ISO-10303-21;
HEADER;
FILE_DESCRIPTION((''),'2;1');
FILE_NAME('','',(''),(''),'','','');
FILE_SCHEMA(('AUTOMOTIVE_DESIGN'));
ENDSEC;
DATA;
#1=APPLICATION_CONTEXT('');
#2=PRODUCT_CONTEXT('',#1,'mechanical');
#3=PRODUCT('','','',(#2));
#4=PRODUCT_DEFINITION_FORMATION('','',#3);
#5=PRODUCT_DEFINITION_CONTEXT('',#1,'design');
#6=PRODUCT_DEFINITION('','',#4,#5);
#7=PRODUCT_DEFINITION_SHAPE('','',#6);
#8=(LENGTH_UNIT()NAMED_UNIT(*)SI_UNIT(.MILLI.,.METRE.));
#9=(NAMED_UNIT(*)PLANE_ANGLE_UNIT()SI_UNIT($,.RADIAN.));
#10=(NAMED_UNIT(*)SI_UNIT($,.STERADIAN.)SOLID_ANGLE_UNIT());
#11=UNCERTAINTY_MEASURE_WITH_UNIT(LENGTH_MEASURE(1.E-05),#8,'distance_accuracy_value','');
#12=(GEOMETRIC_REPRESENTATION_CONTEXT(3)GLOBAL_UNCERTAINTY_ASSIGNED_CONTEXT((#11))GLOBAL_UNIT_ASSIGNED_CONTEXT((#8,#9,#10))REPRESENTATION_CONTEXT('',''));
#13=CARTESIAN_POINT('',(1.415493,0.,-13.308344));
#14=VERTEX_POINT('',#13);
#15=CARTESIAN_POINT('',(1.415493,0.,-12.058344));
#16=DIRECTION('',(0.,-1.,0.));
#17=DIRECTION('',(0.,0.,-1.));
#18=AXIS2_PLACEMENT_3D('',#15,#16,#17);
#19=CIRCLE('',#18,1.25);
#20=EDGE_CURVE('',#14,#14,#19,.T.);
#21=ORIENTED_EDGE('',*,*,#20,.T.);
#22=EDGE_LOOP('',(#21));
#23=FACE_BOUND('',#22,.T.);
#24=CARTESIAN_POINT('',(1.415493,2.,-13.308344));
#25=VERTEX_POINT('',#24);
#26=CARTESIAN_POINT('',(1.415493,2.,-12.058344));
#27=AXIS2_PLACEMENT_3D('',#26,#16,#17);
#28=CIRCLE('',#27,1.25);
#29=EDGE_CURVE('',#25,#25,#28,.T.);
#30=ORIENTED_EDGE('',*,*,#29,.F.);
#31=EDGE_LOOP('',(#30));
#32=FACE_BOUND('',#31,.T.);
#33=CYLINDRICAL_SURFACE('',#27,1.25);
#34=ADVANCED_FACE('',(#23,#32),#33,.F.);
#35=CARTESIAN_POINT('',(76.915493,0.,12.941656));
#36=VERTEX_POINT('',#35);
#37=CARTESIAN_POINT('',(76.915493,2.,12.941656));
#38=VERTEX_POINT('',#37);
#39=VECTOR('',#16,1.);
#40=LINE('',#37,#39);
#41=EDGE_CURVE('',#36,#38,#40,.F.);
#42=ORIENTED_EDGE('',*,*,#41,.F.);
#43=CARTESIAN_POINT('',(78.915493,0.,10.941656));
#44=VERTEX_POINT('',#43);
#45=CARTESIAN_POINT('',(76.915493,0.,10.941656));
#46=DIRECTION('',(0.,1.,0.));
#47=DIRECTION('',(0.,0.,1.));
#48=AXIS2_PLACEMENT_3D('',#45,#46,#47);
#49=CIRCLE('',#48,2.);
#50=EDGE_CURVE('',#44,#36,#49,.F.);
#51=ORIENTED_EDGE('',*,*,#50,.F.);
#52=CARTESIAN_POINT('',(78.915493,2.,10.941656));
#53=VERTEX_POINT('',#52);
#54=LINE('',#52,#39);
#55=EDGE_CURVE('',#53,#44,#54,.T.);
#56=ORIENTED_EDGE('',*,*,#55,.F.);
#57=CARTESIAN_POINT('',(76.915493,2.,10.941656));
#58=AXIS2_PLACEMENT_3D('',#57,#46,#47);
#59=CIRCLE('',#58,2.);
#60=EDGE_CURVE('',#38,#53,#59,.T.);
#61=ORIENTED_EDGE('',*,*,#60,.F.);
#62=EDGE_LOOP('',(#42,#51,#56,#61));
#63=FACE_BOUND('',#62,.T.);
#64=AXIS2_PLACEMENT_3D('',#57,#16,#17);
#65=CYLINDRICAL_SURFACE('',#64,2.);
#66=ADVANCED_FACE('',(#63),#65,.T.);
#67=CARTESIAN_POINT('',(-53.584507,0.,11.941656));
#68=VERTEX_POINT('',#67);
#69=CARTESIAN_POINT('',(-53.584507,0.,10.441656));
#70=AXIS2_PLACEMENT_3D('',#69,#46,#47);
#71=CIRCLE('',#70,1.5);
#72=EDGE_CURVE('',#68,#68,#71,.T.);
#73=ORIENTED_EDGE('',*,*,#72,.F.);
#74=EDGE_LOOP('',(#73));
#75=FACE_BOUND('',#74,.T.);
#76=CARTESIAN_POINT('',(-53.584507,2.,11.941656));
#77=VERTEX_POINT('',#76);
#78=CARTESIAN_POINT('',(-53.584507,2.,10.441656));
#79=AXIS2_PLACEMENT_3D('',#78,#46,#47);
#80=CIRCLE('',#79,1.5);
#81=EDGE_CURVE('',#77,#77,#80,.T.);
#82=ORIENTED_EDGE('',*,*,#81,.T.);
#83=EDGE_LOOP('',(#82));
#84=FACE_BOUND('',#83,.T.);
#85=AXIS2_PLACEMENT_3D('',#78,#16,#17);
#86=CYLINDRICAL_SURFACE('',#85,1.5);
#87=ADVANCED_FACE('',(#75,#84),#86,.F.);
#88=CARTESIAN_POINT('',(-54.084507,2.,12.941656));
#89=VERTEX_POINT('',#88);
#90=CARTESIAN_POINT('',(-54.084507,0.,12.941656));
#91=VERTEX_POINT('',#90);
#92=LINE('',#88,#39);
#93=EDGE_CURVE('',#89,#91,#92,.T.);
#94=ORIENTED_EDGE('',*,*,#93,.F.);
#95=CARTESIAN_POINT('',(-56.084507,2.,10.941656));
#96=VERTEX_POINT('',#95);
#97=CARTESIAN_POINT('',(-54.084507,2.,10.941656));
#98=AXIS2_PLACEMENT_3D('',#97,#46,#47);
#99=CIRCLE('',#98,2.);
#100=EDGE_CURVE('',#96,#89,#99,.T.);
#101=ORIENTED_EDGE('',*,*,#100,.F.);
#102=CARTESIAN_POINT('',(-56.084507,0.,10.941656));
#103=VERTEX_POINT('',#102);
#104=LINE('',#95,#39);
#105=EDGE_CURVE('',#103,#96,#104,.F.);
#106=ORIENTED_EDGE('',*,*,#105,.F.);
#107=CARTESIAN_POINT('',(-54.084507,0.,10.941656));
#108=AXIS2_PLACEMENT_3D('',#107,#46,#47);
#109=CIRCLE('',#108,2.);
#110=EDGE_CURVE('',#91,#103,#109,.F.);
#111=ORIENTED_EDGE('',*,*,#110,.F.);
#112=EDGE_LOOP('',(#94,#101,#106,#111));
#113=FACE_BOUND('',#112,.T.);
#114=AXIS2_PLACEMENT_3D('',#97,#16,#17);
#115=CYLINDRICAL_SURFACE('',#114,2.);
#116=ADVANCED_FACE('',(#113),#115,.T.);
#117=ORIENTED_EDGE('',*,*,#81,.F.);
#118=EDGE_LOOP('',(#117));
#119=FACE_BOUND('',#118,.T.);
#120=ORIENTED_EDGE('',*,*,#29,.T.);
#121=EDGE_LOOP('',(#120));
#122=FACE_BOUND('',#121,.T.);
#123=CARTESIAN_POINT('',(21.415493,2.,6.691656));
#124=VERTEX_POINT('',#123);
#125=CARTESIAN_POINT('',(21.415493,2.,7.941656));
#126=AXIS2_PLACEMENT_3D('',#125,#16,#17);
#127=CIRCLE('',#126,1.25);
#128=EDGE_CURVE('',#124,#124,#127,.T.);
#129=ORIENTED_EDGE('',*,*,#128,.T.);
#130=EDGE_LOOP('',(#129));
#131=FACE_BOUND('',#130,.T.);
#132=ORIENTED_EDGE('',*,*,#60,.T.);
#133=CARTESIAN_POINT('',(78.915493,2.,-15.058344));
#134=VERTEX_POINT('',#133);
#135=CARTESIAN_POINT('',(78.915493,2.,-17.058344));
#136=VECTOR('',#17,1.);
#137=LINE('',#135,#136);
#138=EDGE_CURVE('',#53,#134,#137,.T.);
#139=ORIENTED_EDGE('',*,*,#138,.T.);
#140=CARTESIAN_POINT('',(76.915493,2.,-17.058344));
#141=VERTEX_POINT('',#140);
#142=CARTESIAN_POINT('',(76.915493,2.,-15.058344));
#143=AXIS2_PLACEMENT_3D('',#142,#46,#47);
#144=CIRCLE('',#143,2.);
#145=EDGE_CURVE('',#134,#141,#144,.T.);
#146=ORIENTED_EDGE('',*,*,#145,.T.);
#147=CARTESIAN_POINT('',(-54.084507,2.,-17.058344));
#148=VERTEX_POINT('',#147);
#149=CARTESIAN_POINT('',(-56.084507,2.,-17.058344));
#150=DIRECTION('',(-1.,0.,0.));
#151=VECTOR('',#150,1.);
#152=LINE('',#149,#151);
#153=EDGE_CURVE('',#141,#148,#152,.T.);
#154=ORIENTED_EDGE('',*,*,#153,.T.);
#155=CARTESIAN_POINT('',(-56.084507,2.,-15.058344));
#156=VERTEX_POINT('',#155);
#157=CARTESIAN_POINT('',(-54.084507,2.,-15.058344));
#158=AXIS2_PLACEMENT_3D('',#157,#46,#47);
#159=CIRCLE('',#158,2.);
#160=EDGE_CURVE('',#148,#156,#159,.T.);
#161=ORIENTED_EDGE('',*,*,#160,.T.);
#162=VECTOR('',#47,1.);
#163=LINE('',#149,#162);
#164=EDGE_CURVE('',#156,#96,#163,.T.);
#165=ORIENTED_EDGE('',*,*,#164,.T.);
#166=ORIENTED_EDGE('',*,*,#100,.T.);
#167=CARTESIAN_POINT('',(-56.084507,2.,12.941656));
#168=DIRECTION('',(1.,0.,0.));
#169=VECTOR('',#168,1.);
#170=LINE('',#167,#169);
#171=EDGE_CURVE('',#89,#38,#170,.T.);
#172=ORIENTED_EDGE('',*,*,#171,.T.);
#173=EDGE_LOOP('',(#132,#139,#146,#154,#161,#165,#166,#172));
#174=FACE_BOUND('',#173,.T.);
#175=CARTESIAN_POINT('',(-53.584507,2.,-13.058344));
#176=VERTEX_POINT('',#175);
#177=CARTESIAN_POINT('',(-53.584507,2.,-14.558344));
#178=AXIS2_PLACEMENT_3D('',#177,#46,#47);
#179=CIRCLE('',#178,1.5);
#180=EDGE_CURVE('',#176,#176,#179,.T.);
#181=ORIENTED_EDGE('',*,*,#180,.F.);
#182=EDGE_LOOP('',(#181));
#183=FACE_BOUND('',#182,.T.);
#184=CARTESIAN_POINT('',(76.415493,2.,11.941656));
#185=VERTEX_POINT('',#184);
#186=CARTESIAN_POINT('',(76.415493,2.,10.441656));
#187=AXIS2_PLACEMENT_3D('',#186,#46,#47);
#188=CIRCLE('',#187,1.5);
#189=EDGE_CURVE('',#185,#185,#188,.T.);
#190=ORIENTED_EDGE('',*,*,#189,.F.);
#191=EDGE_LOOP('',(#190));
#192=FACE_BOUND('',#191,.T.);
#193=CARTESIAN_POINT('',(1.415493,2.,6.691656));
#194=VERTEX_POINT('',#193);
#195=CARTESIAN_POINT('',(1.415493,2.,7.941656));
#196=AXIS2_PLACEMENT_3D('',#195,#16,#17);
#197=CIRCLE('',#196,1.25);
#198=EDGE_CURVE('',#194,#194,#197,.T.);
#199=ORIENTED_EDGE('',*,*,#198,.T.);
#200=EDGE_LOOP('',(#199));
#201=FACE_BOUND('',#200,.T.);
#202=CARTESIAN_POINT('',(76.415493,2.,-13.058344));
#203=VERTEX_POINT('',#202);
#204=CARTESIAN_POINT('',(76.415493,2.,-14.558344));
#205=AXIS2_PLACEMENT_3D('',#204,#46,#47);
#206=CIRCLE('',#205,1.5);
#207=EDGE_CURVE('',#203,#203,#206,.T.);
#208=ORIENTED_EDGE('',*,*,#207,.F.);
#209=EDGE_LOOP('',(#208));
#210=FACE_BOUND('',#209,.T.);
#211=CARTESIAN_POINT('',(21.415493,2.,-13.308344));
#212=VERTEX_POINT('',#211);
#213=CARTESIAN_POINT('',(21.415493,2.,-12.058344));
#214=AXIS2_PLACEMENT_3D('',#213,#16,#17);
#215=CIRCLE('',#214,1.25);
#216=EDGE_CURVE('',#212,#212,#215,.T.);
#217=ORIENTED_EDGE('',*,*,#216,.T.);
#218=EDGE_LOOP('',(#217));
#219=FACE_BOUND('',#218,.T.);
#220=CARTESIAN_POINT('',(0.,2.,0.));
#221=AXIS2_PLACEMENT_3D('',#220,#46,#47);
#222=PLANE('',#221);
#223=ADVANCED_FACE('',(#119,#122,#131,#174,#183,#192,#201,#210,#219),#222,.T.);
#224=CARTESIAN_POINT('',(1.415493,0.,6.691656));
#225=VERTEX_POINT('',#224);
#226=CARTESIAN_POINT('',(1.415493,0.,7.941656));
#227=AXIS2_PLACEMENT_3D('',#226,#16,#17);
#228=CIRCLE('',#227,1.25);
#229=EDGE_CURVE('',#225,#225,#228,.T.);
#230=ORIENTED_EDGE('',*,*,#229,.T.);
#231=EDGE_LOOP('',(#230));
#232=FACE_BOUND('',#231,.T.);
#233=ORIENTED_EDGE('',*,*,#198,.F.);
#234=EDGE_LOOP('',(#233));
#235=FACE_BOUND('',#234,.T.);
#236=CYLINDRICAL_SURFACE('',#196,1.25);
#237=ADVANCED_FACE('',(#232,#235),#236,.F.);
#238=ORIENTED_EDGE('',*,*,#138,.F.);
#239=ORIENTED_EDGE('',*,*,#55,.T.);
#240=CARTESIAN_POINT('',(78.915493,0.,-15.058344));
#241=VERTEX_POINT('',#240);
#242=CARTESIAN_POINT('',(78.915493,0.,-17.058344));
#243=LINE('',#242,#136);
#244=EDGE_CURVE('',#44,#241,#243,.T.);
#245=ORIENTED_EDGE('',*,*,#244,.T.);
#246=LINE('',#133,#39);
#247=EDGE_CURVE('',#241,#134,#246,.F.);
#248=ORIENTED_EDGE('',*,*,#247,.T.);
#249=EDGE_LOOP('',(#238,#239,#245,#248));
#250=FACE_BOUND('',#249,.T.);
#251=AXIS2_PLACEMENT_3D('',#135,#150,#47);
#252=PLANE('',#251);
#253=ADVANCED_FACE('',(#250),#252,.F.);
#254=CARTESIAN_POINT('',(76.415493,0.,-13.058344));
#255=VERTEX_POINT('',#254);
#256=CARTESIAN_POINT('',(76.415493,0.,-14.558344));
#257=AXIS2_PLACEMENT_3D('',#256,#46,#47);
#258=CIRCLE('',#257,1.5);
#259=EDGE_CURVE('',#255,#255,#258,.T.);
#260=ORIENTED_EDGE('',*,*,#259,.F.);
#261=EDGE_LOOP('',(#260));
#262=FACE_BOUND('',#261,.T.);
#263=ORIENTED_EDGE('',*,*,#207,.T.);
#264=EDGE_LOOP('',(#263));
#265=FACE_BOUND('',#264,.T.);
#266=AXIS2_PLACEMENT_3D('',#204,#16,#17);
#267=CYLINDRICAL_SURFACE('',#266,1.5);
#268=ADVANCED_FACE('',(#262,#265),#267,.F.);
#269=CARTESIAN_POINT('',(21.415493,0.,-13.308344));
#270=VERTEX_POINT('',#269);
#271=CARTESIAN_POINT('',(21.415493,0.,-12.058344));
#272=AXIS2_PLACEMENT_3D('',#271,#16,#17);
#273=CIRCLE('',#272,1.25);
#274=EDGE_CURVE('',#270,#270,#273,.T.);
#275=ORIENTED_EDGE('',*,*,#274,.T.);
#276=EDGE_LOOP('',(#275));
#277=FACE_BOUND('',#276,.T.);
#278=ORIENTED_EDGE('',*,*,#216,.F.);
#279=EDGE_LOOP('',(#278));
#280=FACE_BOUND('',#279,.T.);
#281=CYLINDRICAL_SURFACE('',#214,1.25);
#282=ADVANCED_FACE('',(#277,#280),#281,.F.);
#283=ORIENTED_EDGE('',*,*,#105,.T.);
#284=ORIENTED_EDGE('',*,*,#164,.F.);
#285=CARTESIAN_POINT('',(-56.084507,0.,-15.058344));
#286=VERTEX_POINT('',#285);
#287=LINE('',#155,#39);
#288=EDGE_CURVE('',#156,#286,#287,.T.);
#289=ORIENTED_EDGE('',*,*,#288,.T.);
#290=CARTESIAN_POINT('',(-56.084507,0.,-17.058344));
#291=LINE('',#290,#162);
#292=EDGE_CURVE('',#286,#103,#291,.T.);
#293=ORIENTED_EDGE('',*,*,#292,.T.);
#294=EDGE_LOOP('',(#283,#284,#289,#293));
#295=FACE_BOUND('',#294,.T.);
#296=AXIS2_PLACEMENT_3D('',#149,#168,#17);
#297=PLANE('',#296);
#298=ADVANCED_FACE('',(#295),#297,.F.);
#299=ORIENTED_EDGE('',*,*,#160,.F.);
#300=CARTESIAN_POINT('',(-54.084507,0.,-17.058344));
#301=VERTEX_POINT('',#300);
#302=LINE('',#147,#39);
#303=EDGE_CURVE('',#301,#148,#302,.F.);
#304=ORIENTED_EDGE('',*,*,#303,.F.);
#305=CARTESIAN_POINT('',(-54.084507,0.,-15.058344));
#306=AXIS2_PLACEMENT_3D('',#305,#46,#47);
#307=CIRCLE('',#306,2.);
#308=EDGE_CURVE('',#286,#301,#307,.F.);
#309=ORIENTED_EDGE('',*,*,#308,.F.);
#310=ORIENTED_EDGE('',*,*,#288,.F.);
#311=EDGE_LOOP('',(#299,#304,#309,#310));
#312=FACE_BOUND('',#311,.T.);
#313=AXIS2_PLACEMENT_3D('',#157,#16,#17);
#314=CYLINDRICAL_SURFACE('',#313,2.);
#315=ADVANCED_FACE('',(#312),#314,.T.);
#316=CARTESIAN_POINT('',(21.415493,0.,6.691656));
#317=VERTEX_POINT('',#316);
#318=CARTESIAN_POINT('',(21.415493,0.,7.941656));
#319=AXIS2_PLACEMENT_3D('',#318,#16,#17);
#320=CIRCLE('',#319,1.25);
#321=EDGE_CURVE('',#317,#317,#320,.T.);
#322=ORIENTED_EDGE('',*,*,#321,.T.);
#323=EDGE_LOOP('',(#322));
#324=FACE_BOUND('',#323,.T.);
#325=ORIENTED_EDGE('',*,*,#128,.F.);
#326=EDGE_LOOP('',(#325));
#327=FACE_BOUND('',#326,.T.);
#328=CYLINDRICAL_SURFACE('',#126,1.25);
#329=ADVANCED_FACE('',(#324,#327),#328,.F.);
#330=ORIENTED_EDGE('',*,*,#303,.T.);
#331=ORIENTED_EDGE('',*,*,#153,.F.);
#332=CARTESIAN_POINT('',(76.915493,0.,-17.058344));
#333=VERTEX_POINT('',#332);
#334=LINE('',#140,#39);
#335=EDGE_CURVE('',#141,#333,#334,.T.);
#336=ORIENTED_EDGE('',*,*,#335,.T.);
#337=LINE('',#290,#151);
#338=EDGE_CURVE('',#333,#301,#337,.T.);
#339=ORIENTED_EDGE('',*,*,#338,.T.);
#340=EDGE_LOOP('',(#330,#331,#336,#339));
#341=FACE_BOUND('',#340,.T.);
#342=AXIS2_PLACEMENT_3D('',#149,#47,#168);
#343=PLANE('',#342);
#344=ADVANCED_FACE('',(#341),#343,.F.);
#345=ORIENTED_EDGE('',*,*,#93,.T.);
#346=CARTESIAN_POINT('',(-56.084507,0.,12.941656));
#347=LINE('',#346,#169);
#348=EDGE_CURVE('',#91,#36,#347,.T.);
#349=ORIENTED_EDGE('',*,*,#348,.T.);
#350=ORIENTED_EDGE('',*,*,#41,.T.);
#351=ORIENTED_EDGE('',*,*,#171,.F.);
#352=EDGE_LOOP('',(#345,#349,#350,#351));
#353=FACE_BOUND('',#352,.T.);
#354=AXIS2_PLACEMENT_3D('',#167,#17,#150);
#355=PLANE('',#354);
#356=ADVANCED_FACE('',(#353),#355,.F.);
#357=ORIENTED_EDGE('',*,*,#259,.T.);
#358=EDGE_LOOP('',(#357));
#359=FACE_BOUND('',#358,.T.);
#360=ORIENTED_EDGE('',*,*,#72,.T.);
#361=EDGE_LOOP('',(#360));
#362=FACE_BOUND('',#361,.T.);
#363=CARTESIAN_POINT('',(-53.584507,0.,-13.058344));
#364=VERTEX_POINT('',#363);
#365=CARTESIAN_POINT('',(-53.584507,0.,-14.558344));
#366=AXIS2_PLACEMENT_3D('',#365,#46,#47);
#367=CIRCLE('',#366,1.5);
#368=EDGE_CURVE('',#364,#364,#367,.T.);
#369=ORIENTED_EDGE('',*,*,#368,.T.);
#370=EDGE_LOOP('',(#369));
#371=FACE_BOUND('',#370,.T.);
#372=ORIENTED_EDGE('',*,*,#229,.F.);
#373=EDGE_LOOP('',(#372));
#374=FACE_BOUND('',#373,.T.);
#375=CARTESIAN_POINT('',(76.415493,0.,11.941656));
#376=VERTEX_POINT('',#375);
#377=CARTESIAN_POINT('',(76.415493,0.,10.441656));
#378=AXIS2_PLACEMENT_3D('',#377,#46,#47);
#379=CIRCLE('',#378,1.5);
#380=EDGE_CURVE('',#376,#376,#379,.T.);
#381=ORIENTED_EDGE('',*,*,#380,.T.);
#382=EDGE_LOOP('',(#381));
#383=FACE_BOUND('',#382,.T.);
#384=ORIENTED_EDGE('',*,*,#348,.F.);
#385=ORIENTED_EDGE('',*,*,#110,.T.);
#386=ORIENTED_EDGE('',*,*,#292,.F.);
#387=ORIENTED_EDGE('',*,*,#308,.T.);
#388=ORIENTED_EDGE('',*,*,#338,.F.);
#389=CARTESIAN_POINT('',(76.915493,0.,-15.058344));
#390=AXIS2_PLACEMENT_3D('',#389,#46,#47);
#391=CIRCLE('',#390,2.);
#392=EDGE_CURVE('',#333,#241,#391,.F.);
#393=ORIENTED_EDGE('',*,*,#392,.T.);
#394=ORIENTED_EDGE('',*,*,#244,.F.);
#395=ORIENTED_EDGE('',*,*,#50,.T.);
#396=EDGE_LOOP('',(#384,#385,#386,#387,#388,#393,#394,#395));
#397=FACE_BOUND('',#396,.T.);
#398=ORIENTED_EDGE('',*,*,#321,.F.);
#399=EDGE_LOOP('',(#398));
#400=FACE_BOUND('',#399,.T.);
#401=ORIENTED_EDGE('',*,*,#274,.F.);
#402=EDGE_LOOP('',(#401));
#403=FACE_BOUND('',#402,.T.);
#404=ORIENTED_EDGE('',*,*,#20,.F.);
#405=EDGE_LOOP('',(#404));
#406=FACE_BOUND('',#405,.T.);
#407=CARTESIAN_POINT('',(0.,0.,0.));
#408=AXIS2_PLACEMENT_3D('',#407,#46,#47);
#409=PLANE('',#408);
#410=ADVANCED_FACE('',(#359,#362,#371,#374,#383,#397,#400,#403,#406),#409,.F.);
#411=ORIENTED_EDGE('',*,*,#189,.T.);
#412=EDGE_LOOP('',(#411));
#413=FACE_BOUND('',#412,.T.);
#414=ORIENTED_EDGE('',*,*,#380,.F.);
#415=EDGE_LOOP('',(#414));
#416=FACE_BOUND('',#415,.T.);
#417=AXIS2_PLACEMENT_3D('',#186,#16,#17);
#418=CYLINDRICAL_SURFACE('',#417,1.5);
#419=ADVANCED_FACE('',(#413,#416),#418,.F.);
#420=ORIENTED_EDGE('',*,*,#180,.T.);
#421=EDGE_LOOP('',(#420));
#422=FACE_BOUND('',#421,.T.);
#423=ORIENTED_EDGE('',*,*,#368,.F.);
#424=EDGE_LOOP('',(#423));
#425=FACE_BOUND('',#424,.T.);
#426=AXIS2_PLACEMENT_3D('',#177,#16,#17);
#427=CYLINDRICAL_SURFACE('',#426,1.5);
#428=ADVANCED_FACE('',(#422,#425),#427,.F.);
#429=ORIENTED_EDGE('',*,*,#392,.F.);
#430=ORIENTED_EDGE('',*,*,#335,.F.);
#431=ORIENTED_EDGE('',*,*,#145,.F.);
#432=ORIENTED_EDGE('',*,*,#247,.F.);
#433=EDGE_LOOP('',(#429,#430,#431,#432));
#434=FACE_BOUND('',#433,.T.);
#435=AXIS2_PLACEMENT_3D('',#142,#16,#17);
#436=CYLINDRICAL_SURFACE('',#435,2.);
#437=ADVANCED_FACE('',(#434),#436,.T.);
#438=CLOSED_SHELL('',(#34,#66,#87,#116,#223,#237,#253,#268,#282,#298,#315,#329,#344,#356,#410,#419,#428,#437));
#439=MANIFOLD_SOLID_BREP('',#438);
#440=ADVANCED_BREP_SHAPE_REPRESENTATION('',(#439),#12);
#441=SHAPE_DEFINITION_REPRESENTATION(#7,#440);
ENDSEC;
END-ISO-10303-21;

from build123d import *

# Parameters (mm, degrees)
SKETCH_1_W          = 135
SKETCH_1_H          = 30
SKETCH_1_R          = 1.5
EXTRUDE_1_DEPTH     = 2
FILLET_1_R          = 2
SKETCH_2_R          = 1.25
CUT_EXTRUDE_1_DEPTH = 2


with BuildPart() as part:
    # 草图1 → 凸台-拉伸1 (new body)
    with BuildSketch(Plane(origin=(0, 0, 0), x_dir=(1, 0, 0), z_dir=(0, 1, 0))):
        with Locations((11.415492739, 2.058344197)):
            Rectangle(SKETCH_1_W, SKETCH_1_H)
        with Locations(Location((-53.584507261, 14.558344197, 0), (0, 0, 270))):
            Circle(SKETCH_1_R, mode=Mode.SUBTRACT)
        with Locations(Location((-53.584507261, -10.441655803, 0), (0, 0, 270))):
            Circle(SKETCH_1_R, mode=Mode.SUBTRACT)
        with Locations(Location((76.415492739, 14.558344197, 0), (0, 0, 270))):
            Circle(SKETCH_1_R, mode=Mode.SUBTRACT)
        with Locations(Location((76.415492739, -10.441655803, 0), (0, 0, 270))):
            Circle(SKETCH_1_R, mode=Mode.SUBTRACT)
    extrude(amount=EXTRUDE_1_DEPTH)

    # 圆角1
    fillet_1_edges = [part.edges().sort_by_distance(p)[0] for p in [
        (-56.084507261, 1, -17.058344197),
        (78.915492739, 1, -17.058344197),
        (78.915492739, 1, 12.941655803),
        (-56.084507261, 1, 12.941655803),
    ]]
    fillet(fillet_1_edges, radius=FILLET_1_R)

    # 草图2 → 切除-拉伸1 (cut)
    with BuildSketch(Plane.XZ):
        with Locations(Location((1.415492739, 7.941655803, 0), (0, 0, 270))):
            Circle(SKETCH_2_R)
        with Locations(Location((21.415492739, 7.941655803, 0), (0, 0, 270))):
            Circle(SKETCH_2_R)
        with Locations(Location((1.415492739, -12.058344197, 0), (0, 0, 270))):
            Circle(SKETCH_2_R)
        with Locations(Location((21.415492739, -12.058344197, 0), (0, 0, 270))):
            Circle(SKETCH_2_R)
    extrude(amount=-CUT_EXTRUDE_1_DEPTH, mode=Mode.SUBTRACT)


solid = part.part
